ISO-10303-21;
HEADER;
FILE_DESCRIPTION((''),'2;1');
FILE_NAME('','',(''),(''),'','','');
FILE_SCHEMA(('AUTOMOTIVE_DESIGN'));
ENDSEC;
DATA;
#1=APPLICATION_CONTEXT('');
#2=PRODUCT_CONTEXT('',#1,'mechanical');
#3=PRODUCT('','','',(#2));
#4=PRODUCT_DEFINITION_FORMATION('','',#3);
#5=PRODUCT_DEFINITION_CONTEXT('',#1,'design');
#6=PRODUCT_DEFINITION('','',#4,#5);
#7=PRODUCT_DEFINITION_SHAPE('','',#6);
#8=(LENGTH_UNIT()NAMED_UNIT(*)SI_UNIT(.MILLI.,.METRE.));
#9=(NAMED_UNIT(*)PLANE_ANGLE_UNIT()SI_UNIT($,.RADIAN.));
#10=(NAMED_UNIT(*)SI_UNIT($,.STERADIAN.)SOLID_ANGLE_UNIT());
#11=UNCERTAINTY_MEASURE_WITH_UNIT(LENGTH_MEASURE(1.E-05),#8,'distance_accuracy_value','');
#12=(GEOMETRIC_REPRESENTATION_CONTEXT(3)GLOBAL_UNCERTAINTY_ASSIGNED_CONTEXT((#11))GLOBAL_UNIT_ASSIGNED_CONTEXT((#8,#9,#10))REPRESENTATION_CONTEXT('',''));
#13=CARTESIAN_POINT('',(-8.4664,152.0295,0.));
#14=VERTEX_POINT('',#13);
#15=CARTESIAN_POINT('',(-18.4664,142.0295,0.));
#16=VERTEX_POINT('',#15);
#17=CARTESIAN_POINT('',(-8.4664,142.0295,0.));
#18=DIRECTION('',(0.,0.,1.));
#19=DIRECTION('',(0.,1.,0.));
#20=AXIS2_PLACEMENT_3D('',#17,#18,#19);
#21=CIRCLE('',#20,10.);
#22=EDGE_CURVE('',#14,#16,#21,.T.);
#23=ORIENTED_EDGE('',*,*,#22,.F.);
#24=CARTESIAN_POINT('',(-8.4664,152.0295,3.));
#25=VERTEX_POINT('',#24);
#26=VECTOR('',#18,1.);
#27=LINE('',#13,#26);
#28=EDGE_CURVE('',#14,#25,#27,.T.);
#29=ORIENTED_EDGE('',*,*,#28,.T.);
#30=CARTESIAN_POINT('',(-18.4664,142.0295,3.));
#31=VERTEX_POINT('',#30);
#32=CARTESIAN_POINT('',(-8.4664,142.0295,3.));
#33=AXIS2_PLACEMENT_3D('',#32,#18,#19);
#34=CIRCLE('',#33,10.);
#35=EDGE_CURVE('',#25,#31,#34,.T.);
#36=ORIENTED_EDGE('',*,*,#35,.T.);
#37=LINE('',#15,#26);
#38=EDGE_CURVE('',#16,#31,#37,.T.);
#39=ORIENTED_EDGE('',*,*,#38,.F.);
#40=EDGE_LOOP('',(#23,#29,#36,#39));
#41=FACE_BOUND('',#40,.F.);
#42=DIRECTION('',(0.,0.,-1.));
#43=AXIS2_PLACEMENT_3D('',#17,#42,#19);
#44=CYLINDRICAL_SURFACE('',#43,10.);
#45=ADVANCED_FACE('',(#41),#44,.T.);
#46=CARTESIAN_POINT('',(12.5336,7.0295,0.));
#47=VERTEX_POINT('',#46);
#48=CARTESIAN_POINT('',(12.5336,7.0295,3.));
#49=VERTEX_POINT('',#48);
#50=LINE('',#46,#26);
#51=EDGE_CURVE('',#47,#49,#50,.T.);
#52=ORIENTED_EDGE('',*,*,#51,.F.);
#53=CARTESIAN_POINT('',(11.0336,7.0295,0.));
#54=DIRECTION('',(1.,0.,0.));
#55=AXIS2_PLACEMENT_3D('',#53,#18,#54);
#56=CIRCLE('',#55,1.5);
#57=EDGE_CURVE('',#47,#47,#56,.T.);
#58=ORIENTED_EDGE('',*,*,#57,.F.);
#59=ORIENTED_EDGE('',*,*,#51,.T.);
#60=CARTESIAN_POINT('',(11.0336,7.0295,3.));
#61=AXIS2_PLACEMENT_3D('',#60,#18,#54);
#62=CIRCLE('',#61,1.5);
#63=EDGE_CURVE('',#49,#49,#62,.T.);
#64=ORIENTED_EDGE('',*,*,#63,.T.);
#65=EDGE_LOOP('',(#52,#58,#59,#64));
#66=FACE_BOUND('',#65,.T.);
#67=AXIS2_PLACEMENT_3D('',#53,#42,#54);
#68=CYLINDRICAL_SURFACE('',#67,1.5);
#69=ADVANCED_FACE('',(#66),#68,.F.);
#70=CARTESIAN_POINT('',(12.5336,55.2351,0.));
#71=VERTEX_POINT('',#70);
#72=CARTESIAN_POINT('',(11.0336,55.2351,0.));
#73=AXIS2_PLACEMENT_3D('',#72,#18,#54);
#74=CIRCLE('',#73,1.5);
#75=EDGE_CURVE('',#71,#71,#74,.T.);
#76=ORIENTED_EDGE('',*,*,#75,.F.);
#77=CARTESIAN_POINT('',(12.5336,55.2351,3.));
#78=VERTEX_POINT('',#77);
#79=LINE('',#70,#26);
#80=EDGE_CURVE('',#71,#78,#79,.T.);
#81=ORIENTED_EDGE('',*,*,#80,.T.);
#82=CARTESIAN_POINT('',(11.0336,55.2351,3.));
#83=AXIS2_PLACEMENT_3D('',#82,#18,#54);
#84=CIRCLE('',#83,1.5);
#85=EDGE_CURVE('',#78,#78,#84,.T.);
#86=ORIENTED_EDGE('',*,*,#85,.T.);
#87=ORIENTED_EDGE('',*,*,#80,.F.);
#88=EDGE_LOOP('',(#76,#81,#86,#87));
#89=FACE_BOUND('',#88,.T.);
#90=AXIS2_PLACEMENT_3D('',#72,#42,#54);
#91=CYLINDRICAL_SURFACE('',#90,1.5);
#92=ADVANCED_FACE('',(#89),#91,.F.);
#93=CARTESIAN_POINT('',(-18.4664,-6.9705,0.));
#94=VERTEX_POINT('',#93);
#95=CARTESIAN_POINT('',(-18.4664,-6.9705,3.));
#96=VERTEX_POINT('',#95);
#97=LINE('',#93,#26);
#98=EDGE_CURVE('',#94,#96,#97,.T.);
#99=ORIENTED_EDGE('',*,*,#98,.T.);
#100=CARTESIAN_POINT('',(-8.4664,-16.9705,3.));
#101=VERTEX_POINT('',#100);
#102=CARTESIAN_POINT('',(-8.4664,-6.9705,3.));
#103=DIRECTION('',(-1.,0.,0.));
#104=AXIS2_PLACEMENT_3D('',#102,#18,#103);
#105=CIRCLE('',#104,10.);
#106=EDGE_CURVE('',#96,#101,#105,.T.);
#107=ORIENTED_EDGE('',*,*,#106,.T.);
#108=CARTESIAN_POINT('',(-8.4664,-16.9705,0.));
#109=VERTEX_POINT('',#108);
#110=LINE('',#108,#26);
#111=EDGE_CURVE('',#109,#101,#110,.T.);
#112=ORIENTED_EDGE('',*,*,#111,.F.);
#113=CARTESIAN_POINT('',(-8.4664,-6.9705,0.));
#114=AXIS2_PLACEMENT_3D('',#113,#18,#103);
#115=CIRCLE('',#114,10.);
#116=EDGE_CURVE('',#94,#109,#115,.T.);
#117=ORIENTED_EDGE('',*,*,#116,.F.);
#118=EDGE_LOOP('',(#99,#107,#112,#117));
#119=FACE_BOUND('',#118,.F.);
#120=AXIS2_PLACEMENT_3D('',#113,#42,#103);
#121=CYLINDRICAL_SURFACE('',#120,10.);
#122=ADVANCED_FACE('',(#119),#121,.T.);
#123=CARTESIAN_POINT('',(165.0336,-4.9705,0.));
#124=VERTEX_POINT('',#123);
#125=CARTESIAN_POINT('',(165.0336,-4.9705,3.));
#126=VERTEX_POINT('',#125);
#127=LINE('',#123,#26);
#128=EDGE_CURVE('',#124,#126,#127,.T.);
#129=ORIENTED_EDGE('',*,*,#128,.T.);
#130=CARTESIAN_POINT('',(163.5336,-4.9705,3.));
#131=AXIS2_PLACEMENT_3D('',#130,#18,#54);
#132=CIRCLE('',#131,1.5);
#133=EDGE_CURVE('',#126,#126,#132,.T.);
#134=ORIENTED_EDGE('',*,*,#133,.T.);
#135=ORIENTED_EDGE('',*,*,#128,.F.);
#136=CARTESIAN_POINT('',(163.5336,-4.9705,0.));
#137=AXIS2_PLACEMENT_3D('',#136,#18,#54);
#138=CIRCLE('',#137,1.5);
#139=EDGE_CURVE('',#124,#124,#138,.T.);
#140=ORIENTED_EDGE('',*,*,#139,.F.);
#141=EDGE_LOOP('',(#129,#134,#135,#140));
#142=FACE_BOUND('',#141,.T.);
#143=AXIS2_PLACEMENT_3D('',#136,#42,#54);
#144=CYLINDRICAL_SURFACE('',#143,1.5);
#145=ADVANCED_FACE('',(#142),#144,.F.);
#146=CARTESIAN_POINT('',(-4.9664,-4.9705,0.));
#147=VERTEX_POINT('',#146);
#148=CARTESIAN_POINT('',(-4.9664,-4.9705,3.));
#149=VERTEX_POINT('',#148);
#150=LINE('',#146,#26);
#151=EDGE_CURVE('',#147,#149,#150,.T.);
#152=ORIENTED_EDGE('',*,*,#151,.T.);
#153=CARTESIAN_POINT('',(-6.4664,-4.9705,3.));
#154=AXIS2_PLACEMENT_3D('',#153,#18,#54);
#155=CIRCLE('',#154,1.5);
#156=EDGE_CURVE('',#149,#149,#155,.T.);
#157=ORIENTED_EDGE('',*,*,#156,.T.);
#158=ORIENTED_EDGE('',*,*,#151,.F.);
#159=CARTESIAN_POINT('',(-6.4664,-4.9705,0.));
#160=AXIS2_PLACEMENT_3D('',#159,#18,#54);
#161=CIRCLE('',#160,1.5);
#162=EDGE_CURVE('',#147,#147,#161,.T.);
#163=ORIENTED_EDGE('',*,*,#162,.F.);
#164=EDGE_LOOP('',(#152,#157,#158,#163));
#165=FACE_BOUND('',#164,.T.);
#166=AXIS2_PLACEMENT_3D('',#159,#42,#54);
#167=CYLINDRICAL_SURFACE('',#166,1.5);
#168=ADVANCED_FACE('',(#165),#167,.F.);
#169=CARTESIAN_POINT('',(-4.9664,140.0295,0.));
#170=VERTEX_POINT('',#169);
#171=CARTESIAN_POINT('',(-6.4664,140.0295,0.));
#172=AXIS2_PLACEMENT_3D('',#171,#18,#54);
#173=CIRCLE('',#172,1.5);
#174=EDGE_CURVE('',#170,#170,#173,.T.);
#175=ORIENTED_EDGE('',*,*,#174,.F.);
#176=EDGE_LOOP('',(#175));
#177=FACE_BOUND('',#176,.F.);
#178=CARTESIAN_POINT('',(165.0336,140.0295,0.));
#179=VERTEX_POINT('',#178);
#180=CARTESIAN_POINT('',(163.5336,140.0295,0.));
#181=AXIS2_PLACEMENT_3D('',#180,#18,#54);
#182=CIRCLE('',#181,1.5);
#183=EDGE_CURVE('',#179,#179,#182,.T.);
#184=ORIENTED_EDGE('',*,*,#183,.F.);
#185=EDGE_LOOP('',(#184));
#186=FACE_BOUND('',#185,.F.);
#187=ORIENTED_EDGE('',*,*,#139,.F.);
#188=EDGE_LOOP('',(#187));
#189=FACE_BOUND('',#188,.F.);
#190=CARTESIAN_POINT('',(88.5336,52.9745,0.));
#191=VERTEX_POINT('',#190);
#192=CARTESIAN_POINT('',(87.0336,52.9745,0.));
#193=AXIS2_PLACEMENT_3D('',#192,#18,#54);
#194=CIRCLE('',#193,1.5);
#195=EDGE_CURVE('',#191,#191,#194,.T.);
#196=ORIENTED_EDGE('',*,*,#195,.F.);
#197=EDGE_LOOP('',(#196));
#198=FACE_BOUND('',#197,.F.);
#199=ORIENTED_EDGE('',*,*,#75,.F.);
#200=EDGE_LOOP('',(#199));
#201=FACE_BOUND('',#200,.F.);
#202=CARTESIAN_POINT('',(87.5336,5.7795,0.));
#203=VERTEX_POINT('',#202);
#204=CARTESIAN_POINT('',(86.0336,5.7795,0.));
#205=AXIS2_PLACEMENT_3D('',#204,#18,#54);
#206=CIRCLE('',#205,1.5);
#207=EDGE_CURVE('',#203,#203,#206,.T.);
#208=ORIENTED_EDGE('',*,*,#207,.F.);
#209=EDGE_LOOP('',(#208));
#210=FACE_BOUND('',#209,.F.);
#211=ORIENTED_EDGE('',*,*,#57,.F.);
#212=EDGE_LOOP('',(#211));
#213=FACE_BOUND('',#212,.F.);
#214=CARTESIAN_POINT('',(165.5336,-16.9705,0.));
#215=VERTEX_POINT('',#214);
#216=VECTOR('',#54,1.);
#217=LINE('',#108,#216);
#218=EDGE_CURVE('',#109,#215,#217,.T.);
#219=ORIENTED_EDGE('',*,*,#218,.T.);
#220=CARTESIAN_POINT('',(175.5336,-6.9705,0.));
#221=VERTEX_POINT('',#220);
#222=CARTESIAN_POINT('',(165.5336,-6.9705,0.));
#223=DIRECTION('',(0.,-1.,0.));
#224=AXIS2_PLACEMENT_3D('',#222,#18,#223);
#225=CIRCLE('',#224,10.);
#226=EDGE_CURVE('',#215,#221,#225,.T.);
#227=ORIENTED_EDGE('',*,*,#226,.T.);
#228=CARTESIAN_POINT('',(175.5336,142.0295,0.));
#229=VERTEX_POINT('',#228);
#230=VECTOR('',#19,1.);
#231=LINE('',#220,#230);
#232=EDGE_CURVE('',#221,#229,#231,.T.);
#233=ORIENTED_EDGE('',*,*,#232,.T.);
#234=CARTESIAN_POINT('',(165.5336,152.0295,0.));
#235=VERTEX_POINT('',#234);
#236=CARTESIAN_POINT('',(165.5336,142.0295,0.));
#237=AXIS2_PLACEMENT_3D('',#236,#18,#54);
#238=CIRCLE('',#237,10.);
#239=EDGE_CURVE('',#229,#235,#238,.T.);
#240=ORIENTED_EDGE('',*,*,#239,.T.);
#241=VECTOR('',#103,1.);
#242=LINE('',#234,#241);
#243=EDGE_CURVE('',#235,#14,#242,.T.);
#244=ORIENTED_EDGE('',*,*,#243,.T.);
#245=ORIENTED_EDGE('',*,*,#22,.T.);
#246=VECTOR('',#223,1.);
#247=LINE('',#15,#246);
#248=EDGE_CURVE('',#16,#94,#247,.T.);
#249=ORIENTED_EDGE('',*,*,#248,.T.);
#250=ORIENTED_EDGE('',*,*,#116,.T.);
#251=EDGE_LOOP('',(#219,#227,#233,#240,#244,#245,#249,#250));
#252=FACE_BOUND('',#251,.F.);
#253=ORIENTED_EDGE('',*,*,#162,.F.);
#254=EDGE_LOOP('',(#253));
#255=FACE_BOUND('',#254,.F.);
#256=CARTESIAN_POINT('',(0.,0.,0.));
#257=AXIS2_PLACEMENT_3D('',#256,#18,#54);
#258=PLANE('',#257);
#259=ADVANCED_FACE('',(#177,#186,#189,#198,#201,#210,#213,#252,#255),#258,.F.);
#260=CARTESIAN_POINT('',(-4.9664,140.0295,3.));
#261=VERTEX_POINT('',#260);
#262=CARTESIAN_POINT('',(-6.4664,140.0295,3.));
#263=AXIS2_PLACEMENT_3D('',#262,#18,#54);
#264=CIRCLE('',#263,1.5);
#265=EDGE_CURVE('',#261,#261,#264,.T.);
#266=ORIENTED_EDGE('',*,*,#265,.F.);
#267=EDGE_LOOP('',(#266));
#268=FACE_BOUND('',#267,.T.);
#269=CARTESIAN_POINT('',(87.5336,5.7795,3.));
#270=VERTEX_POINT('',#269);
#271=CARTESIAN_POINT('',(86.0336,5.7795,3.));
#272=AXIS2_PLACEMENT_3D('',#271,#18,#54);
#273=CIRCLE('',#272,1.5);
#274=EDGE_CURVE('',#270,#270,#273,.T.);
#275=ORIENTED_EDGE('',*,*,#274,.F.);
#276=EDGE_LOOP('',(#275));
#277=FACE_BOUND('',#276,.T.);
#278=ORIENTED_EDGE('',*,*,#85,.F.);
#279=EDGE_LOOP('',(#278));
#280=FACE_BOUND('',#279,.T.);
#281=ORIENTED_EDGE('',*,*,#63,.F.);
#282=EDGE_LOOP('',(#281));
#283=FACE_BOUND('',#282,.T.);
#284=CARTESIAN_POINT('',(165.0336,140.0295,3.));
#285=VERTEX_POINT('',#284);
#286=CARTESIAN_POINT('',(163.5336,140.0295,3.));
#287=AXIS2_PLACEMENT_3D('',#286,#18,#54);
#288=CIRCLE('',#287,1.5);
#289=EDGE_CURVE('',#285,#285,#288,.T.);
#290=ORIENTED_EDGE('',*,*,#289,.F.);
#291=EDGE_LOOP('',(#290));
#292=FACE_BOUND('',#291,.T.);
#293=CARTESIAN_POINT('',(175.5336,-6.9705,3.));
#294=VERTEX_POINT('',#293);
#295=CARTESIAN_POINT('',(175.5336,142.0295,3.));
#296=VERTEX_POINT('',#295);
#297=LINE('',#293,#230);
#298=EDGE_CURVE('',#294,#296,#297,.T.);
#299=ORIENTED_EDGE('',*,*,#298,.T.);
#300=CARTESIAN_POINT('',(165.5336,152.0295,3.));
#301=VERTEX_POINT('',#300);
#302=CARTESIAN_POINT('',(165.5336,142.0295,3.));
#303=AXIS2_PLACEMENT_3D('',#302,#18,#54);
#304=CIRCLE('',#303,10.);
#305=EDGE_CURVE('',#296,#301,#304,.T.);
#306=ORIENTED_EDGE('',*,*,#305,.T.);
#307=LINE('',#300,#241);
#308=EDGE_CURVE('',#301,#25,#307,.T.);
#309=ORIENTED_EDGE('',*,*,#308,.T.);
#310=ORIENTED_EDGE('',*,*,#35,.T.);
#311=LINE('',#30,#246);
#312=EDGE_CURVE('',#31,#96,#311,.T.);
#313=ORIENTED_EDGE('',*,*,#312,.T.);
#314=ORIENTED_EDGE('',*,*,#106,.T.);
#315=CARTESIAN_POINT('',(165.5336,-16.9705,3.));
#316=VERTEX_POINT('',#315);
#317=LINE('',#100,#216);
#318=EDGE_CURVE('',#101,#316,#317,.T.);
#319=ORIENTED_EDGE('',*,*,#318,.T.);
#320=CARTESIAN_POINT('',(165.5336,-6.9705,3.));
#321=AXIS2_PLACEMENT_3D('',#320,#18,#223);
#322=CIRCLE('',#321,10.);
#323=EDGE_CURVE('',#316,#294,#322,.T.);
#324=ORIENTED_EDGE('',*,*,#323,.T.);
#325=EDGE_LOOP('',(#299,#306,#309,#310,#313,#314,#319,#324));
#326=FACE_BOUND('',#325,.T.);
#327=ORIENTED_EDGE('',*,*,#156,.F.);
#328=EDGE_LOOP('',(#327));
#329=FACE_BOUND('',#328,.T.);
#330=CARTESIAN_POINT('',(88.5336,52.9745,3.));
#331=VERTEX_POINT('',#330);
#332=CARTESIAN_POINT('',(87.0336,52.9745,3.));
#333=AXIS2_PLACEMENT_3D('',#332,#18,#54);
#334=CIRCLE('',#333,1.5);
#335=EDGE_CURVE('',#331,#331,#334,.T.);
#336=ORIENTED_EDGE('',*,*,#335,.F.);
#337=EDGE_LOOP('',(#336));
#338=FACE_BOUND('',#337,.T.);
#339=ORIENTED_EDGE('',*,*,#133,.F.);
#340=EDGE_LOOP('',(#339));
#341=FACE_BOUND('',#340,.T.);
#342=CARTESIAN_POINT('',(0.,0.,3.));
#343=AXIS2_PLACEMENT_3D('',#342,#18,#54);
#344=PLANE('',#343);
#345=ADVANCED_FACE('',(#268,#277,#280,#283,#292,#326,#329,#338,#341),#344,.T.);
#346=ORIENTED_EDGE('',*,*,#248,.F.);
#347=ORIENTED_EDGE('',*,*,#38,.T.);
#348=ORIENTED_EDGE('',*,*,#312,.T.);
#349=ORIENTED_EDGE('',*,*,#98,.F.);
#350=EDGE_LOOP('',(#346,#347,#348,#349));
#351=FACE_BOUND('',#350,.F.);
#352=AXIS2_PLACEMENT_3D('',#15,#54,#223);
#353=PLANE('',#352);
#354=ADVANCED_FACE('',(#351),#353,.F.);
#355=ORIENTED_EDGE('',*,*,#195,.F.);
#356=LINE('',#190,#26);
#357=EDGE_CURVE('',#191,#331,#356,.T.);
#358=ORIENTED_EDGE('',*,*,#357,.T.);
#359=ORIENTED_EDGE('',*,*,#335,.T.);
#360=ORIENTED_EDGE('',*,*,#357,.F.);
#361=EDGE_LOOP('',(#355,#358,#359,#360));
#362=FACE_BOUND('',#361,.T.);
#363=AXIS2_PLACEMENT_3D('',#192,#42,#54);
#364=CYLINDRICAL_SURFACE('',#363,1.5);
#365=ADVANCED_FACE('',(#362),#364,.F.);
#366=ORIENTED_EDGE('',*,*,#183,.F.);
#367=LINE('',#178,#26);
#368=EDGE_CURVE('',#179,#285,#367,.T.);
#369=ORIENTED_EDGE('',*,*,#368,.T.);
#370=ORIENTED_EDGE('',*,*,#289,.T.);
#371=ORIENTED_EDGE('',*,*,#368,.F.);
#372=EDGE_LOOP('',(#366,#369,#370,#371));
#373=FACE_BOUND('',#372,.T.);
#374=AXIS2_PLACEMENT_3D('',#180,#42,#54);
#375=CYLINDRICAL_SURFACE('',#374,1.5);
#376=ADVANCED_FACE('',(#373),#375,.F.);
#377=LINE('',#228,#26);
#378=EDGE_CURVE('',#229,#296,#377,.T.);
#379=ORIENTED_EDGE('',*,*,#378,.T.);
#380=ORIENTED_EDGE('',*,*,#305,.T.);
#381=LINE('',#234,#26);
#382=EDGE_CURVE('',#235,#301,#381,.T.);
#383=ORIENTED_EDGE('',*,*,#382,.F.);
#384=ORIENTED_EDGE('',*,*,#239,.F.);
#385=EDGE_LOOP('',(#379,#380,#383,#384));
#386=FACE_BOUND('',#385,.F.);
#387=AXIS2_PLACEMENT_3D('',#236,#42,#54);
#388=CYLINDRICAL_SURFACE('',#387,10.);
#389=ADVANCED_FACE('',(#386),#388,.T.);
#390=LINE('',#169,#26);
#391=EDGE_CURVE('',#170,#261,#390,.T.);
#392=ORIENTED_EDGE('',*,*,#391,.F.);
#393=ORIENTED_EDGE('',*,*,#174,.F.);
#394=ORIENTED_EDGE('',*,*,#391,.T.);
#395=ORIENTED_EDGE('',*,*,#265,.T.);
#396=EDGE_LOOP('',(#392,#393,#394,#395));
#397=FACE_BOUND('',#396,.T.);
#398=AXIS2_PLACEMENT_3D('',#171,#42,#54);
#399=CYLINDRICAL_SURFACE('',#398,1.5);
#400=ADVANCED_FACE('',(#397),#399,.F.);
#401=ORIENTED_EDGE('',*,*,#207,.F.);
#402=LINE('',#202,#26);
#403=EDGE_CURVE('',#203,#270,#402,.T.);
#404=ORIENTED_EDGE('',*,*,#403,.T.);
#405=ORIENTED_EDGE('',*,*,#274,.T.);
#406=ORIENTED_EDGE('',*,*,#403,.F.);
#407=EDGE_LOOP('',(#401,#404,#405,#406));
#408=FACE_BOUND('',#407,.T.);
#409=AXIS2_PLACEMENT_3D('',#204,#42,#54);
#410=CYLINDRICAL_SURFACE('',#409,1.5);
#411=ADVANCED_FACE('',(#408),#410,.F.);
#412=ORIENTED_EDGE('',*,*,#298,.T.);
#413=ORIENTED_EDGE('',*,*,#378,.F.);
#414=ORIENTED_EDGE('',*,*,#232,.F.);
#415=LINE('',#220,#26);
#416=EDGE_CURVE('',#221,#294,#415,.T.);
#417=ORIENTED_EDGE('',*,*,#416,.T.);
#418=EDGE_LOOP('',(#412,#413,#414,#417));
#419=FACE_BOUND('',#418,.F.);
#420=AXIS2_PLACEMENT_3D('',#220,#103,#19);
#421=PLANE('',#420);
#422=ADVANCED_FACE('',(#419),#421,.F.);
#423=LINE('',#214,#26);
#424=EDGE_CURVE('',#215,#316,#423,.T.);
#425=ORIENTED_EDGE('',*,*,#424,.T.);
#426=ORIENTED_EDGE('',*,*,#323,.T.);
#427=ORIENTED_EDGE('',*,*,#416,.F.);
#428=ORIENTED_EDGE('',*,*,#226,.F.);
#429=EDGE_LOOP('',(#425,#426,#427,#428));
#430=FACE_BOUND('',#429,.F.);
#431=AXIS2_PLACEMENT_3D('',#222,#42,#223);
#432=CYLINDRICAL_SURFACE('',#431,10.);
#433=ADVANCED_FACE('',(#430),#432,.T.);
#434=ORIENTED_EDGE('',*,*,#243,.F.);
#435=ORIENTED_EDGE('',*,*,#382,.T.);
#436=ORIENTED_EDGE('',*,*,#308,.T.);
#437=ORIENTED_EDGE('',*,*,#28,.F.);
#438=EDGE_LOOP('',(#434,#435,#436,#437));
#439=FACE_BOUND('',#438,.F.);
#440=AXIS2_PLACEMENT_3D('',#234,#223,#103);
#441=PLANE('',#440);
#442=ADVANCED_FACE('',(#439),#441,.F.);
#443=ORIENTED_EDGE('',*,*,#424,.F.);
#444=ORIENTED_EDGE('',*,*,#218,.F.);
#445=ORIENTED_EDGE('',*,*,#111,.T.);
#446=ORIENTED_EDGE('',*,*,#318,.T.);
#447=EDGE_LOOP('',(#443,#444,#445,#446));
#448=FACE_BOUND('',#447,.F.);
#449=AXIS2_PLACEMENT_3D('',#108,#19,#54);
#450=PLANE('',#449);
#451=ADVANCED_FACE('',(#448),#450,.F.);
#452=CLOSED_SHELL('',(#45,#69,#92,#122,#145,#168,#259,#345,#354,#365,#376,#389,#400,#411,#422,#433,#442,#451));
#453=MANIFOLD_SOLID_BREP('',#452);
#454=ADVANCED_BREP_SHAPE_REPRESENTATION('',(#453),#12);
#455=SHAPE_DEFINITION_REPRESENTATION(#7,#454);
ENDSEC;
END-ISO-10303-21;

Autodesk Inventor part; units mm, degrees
ref_plane "YZ Plane" through (0, 0, 0) normal (1, 0, 0) x (0, 1, 0)
ref_plane "XZ Plane" through (0, 0, 0) normal (0, 1, 0) x (-1, 0, 0)
ref_plane "XY Plane" through (0, 0, 0) normal (0, 0, 1) x (1, 0, 0)
sketch "Sketch1" plane through (0, 0, 0) normal (0, 0, 1) x (1, 0, 0)
  line L0 (-6.4664, 150.0295) -> (163.5336, 150.0295) construction
  line L1 (173.5336, 140.0295) -> (173.5336, -4.9705) construction
  line L2 (163.5336, -14.9705) -> (-6.4664, -14.9705)
  line L3 (-16.4664, -4.9705) -> (-16.4664, 140.0295)
  arc A0 (-6.4664, 150.0295) -> (-16.4664, 140.0295) centre (-6.4664, 140.0295) ccw
  arc A1 (173.5336, 140.0295) -> (163.5336, 150.0295) centre (163.5336, 140.0295) ccw construction
  arc A2 (163.5336, -14.9705) -> (173.5336, -4.9705) centre (163.5336, -4.9705) ccw
  arc A3 (-16.4664, -4.9705) -> (-6.4664, -14.9705) centre (-6.4664, -4.9705) ccw
  line L4 (-16.4664, 140.0295) -> (173.5336, 140.0295) construction
  line L5 (-16.4664, -4.9705) -> (173.5336, -4.9705) construction
  line L6 (-6.4664, -14.9705) -> (-6.4664, 150.0295) construction
  line L7 (163.5336, 150.0295) -> (163.5336, -14.9705) construction
  circle A4 centre (-6.4664, 140.0295) radius 1.5
  circle A5 centre (163.5336, 140.0295) radius 1.5
  circle A6 centre (163.5336, -4.9705) radius 1.5
  circle A7 centre (-6.4664, -4.9705) radius 1.5
  circle A8 centre (11.0336, 7.0295) radius 1.5
  circle A9 centre (86.0336, 5.7795) radius 1.5
  circle A10 centre (11.0336, 55.2351) radius 1.5
  circle A11 centre (87.0336, 52.9745) radius 1.5
  line L8 (-8.4664, -16.9705) -> (165.5336, -16.9705)
  line L9 (175.5336, -6.9705) -> (175.5336, 142.0295)
  line L10 (165.5336, 152.0295) -> (-8.4664, 152.0295)
  line L11 (-18.4664, 142.0295) -> (-18.4664, -6.9705)
  arc A12 (-8.4664, 152.0295) -> (-18.4664, 142.0295) centre (-8.4664, 142.0295) ccw
  arc A13 (-18.4664, -6.9705) -> (-8.4664, -16.9705) centre (-8.4664, -6.9705) ccw
  arc A14 (165.5336, -16.9705) -> (175.5336, -6.9705) centre (165.5336, -6.9705) ccw
  arc A15 (175.5336, 142.0295) -> (165.5336, 152.0295) centre (165.5336, 142.0295) ccw
  point P0 (0, 0)
  point P1 (173.5336, -14.9705)
  point P2 (173.5336, 150.0295)
  point P3 (-16.4664, -14.9705)
  point P4 (-18.4664, -16.9705)
  point P5 (175.5336, 152.0295)
  point P6 (-18.4664, 152.0295)
  dimension "d0" = 190
  dimension "d1" = 165
  dimension "d2" = 10
  dimension "a" = 3
  dimension "d4" = 3
  dimension "d5" = 3
  dimension "d6" = 3
  dimension "d7" = 3
  dimension "d8" = 3
  dimension "d9" = 3
  dimension "d10" = 3
  dimension "d11" = 12
  dimension "d12" = 10.75
  dimension "d14" = 75
  dimension "d16" = 76
  dimension "d17" = 194
  dimension "d18" = 169
  dimension "d19" = 2
  dimension "d20" = 2
  dimension "d21" = 10
  dimension "d24" = 29.5
  dimension "d25" = 29.5
extrude "Extrusion1" add sketch "Sketch1" along normal blind 3
equation "\"d4\" = a"
equation "\"d5\" = a"
equation "\"d6\" = a"
equation "\"d7\" = a"
equation "\"d8\" = a"
equation "\"d9\" = a"
equation "\"d10\" = a"
properties part number "Back"
